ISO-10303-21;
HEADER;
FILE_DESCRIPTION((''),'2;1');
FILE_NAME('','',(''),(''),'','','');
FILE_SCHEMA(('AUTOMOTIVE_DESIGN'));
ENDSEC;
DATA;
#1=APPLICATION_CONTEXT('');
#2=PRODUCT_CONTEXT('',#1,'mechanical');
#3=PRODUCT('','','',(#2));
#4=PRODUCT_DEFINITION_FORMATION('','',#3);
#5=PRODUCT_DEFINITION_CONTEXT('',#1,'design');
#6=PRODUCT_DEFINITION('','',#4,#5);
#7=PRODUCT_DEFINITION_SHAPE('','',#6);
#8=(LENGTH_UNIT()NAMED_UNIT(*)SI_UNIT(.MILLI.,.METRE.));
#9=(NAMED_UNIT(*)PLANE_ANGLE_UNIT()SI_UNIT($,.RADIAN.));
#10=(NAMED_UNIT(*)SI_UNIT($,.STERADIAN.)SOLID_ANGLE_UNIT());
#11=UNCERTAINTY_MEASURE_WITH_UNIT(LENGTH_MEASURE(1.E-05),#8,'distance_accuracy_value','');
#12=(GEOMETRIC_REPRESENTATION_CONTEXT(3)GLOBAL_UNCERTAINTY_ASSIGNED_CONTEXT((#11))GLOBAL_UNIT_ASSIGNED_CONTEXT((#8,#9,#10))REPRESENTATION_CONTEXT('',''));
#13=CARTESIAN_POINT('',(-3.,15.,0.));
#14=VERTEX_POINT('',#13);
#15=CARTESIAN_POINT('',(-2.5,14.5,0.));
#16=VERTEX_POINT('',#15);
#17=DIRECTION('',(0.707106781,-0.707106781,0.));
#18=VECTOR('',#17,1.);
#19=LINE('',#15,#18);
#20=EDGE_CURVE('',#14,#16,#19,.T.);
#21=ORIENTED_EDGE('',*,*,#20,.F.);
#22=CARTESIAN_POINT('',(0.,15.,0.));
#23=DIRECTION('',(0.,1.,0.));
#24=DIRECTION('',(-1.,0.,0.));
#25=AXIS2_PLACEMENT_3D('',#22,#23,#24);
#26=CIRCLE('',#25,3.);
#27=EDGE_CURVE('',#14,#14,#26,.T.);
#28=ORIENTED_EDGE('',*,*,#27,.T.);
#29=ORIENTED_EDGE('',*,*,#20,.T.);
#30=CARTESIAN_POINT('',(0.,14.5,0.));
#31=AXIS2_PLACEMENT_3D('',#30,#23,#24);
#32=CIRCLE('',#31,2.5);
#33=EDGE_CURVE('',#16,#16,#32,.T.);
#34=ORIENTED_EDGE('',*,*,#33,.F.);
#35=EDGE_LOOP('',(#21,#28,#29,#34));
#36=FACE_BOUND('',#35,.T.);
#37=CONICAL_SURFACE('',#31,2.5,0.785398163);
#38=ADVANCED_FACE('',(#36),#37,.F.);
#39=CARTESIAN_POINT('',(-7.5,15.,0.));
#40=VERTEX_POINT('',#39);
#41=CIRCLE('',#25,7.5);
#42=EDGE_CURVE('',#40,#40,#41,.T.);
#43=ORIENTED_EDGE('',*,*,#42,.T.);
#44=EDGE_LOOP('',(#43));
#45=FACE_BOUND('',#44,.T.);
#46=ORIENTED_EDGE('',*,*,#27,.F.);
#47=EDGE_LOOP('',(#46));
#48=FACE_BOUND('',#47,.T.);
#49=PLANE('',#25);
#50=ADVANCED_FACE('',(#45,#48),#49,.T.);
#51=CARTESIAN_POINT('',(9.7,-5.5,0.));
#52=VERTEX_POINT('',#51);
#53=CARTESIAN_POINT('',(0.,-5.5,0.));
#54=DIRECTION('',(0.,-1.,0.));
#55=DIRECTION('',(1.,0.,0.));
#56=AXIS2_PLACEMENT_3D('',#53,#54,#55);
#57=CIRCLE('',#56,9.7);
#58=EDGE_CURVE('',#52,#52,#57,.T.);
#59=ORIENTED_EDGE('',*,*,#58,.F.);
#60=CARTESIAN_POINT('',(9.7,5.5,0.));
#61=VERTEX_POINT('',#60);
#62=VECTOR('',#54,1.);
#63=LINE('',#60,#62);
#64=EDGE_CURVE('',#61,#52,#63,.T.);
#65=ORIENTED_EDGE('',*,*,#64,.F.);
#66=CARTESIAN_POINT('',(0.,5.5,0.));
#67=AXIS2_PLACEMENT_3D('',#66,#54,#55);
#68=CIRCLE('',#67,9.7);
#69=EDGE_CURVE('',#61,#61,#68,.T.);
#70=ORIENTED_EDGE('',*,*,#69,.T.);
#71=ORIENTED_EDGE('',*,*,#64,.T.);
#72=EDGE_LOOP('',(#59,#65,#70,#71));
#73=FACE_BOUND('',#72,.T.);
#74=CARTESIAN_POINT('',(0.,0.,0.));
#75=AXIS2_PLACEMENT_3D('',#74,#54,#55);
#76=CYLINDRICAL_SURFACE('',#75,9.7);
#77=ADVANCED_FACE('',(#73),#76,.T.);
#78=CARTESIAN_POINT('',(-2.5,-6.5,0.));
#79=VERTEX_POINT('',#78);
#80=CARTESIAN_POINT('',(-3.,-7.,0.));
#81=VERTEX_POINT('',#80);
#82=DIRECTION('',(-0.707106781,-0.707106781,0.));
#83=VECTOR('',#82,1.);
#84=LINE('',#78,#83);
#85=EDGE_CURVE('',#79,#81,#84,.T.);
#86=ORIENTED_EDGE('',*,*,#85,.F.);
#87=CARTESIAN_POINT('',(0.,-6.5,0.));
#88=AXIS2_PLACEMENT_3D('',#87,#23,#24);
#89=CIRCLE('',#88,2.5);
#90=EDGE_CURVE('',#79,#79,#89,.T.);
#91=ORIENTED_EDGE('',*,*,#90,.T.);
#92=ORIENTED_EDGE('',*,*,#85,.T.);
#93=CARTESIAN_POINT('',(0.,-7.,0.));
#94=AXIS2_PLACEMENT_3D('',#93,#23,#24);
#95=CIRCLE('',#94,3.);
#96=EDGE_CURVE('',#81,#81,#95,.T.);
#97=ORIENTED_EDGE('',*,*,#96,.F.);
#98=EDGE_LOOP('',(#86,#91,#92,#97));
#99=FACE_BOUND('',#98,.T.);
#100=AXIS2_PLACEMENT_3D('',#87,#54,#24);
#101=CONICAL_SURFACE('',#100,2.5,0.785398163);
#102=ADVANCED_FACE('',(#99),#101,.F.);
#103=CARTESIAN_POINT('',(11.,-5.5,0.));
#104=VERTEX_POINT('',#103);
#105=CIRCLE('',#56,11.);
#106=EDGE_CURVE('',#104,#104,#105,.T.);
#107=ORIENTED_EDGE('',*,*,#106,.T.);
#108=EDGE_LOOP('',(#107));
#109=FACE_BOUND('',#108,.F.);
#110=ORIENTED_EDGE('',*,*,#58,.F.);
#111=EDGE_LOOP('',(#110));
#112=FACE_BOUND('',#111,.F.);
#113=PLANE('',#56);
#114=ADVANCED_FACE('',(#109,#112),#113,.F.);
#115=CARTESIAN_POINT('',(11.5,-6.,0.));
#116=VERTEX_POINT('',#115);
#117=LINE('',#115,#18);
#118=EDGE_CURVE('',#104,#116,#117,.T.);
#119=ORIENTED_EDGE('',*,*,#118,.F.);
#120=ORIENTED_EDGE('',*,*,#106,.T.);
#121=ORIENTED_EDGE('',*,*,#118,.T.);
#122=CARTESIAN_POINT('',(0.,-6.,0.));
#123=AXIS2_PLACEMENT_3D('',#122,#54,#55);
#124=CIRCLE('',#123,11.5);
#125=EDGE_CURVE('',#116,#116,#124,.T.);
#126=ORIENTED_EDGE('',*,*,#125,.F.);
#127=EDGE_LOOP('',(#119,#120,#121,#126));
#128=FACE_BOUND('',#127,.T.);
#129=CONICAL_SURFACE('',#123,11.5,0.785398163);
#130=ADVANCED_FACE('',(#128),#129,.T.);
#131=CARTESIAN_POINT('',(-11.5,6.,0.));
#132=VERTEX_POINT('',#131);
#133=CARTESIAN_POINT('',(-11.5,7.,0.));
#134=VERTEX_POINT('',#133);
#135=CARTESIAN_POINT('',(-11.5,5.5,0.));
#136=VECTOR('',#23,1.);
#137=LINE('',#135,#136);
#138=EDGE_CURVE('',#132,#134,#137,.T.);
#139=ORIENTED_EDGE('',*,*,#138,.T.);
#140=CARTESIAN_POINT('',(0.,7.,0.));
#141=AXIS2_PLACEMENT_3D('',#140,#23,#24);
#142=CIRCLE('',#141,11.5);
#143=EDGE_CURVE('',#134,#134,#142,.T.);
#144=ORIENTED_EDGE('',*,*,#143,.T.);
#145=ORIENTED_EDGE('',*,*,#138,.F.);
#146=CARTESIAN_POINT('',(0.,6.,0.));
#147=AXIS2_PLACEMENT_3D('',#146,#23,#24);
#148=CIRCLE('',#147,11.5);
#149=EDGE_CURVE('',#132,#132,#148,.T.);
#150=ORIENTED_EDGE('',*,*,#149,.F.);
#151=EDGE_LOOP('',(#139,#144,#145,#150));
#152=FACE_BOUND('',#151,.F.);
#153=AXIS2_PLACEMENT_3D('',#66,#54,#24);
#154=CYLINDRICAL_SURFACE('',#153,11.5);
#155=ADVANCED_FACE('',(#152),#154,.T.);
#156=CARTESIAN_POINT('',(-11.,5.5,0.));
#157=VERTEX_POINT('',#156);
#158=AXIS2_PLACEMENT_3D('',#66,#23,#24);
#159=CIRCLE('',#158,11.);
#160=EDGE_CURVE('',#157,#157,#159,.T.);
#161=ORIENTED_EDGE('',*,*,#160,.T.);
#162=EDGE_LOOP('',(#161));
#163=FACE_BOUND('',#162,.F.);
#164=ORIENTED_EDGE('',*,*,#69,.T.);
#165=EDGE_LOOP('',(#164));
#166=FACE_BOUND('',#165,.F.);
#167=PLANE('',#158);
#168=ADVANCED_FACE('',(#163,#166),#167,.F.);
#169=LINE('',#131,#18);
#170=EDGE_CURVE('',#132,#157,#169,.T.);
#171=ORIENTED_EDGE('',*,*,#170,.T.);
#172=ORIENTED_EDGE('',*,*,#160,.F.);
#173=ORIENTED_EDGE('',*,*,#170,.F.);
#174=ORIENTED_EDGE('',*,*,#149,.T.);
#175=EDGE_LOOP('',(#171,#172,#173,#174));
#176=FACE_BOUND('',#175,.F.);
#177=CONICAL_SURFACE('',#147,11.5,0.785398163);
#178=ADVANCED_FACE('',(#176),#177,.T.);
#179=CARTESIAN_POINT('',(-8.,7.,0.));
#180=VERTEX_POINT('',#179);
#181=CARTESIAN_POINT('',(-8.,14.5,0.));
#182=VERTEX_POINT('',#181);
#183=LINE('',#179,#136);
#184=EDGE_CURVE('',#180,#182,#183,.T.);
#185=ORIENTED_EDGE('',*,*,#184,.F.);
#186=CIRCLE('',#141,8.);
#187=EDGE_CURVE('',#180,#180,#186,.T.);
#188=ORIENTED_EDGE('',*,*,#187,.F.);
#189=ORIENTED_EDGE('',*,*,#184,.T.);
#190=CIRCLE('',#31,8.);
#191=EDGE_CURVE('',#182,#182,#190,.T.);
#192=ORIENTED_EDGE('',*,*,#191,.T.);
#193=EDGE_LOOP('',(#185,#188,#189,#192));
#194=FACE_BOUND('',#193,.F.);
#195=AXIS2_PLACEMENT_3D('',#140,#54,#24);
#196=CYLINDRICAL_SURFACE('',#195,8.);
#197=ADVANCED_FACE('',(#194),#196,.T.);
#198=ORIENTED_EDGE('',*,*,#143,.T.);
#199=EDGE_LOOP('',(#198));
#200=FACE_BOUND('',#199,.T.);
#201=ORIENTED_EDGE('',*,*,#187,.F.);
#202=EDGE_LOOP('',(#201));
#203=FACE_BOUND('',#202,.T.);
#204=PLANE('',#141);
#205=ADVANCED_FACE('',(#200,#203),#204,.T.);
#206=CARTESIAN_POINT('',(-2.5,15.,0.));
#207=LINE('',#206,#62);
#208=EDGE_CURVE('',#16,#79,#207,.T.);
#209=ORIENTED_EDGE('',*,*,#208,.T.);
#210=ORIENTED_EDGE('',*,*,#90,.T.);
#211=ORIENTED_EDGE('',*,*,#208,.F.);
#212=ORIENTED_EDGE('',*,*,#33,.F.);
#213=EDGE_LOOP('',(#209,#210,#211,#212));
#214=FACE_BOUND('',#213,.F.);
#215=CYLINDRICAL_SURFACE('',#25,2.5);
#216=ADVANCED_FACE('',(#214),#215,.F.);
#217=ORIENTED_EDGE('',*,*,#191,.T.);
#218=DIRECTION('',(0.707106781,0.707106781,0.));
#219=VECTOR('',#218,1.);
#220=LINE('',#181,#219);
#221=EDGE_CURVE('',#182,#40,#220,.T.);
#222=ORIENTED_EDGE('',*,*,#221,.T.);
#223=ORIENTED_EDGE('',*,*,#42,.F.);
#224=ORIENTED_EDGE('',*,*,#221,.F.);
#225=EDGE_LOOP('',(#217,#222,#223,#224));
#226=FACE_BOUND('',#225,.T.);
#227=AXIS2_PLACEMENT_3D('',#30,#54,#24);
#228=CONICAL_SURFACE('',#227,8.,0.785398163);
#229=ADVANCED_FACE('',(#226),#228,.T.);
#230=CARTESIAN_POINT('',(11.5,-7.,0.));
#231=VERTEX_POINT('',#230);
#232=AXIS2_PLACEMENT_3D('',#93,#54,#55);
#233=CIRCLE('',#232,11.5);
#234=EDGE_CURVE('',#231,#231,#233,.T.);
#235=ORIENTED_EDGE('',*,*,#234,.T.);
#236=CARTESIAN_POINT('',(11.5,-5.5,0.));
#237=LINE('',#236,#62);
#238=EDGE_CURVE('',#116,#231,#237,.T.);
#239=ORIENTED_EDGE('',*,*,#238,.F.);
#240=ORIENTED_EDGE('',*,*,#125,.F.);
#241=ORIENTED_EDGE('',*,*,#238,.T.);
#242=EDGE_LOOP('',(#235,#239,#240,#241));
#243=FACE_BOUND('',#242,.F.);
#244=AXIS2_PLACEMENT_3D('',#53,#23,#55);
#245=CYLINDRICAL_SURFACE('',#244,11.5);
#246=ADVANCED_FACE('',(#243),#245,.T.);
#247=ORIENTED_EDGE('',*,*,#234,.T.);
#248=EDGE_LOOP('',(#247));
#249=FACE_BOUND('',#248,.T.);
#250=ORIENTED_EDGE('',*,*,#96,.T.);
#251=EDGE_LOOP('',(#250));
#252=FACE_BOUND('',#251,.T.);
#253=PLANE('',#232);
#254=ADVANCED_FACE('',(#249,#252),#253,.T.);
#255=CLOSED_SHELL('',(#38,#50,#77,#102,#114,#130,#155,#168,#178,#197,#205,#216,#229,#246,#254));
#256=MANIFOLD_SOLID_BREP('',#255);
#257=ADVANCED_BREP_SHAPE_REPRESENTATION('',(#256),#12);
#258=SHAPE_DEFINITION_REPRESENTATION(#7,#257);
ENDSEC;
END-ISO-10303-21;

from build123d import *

# Parameters (mm, degrees)
F0_R     = 9.7
F1_DEPTH = 5.5
F2_R     = 11.5
F3_DEPTH = 1.5
F4_R     = 11.5
F5_DEPTH = 1.5
F6_R     = 8
F7_DEPTH = 8
F8_R     = 2.5
F9_DEPTH = 22.001
F10_SIZE = 0.5


with BuildPart() as f1:
    # F0 (on Front) → F1 (new body, symmetric)
    with BuildSketch(Plane.XZ):
        Circle(F0_R)
    extrude(amount=F1_DEPTH, both=True)

    # F2 (on face) → F3 (join)
    with BuildSketch(Plane.XZ.offset(5.5)):
        Circle(F2_R)
    extrude(amount=F3_DEPTH)

    # F4 (on face) → F5 (join)
    with BuildSketch(Plane(origin=(0, 5.5, 0), x_dir=(-1, 0, 0), z_dir=(0, 1, 0))):
        Circle(F4_R)
    extrude(amount=F5_DEPTH)

    # F6 (on face) → F7 (join)
    with BuildSketch(Plane(origin=(0, 7, 0), x_dir=(-1, 0, 0), z_dir=(0, 1, 0))):
        Circle(F6_R)
    extrude(amount=F7_DEPTH)

    # F8 (on face) → F9 (cut, through all)
    with BuildSketch(Plane(origin=(0, 15, 0), x_dir=(-1, 0, 0), z_dir=(0, 1, 0))):
        Circle(F8_R)
    extrude(amount=-F9_DEPTH, mode=Mode.SUBTRACT)

    # F10
    f10_edges = [f1.edges().sort_by_distance(p)[0] for p in [
        (2.5, -7, 0),
        (2.5, 15, 0),
        (-11.5, -5.5, 0),
        (11.5, 5.5, 0),
        (8, 15, 0),
    ]]
    chamfer(f10_edges, length=F10_SIZE)


solid = f1.part
